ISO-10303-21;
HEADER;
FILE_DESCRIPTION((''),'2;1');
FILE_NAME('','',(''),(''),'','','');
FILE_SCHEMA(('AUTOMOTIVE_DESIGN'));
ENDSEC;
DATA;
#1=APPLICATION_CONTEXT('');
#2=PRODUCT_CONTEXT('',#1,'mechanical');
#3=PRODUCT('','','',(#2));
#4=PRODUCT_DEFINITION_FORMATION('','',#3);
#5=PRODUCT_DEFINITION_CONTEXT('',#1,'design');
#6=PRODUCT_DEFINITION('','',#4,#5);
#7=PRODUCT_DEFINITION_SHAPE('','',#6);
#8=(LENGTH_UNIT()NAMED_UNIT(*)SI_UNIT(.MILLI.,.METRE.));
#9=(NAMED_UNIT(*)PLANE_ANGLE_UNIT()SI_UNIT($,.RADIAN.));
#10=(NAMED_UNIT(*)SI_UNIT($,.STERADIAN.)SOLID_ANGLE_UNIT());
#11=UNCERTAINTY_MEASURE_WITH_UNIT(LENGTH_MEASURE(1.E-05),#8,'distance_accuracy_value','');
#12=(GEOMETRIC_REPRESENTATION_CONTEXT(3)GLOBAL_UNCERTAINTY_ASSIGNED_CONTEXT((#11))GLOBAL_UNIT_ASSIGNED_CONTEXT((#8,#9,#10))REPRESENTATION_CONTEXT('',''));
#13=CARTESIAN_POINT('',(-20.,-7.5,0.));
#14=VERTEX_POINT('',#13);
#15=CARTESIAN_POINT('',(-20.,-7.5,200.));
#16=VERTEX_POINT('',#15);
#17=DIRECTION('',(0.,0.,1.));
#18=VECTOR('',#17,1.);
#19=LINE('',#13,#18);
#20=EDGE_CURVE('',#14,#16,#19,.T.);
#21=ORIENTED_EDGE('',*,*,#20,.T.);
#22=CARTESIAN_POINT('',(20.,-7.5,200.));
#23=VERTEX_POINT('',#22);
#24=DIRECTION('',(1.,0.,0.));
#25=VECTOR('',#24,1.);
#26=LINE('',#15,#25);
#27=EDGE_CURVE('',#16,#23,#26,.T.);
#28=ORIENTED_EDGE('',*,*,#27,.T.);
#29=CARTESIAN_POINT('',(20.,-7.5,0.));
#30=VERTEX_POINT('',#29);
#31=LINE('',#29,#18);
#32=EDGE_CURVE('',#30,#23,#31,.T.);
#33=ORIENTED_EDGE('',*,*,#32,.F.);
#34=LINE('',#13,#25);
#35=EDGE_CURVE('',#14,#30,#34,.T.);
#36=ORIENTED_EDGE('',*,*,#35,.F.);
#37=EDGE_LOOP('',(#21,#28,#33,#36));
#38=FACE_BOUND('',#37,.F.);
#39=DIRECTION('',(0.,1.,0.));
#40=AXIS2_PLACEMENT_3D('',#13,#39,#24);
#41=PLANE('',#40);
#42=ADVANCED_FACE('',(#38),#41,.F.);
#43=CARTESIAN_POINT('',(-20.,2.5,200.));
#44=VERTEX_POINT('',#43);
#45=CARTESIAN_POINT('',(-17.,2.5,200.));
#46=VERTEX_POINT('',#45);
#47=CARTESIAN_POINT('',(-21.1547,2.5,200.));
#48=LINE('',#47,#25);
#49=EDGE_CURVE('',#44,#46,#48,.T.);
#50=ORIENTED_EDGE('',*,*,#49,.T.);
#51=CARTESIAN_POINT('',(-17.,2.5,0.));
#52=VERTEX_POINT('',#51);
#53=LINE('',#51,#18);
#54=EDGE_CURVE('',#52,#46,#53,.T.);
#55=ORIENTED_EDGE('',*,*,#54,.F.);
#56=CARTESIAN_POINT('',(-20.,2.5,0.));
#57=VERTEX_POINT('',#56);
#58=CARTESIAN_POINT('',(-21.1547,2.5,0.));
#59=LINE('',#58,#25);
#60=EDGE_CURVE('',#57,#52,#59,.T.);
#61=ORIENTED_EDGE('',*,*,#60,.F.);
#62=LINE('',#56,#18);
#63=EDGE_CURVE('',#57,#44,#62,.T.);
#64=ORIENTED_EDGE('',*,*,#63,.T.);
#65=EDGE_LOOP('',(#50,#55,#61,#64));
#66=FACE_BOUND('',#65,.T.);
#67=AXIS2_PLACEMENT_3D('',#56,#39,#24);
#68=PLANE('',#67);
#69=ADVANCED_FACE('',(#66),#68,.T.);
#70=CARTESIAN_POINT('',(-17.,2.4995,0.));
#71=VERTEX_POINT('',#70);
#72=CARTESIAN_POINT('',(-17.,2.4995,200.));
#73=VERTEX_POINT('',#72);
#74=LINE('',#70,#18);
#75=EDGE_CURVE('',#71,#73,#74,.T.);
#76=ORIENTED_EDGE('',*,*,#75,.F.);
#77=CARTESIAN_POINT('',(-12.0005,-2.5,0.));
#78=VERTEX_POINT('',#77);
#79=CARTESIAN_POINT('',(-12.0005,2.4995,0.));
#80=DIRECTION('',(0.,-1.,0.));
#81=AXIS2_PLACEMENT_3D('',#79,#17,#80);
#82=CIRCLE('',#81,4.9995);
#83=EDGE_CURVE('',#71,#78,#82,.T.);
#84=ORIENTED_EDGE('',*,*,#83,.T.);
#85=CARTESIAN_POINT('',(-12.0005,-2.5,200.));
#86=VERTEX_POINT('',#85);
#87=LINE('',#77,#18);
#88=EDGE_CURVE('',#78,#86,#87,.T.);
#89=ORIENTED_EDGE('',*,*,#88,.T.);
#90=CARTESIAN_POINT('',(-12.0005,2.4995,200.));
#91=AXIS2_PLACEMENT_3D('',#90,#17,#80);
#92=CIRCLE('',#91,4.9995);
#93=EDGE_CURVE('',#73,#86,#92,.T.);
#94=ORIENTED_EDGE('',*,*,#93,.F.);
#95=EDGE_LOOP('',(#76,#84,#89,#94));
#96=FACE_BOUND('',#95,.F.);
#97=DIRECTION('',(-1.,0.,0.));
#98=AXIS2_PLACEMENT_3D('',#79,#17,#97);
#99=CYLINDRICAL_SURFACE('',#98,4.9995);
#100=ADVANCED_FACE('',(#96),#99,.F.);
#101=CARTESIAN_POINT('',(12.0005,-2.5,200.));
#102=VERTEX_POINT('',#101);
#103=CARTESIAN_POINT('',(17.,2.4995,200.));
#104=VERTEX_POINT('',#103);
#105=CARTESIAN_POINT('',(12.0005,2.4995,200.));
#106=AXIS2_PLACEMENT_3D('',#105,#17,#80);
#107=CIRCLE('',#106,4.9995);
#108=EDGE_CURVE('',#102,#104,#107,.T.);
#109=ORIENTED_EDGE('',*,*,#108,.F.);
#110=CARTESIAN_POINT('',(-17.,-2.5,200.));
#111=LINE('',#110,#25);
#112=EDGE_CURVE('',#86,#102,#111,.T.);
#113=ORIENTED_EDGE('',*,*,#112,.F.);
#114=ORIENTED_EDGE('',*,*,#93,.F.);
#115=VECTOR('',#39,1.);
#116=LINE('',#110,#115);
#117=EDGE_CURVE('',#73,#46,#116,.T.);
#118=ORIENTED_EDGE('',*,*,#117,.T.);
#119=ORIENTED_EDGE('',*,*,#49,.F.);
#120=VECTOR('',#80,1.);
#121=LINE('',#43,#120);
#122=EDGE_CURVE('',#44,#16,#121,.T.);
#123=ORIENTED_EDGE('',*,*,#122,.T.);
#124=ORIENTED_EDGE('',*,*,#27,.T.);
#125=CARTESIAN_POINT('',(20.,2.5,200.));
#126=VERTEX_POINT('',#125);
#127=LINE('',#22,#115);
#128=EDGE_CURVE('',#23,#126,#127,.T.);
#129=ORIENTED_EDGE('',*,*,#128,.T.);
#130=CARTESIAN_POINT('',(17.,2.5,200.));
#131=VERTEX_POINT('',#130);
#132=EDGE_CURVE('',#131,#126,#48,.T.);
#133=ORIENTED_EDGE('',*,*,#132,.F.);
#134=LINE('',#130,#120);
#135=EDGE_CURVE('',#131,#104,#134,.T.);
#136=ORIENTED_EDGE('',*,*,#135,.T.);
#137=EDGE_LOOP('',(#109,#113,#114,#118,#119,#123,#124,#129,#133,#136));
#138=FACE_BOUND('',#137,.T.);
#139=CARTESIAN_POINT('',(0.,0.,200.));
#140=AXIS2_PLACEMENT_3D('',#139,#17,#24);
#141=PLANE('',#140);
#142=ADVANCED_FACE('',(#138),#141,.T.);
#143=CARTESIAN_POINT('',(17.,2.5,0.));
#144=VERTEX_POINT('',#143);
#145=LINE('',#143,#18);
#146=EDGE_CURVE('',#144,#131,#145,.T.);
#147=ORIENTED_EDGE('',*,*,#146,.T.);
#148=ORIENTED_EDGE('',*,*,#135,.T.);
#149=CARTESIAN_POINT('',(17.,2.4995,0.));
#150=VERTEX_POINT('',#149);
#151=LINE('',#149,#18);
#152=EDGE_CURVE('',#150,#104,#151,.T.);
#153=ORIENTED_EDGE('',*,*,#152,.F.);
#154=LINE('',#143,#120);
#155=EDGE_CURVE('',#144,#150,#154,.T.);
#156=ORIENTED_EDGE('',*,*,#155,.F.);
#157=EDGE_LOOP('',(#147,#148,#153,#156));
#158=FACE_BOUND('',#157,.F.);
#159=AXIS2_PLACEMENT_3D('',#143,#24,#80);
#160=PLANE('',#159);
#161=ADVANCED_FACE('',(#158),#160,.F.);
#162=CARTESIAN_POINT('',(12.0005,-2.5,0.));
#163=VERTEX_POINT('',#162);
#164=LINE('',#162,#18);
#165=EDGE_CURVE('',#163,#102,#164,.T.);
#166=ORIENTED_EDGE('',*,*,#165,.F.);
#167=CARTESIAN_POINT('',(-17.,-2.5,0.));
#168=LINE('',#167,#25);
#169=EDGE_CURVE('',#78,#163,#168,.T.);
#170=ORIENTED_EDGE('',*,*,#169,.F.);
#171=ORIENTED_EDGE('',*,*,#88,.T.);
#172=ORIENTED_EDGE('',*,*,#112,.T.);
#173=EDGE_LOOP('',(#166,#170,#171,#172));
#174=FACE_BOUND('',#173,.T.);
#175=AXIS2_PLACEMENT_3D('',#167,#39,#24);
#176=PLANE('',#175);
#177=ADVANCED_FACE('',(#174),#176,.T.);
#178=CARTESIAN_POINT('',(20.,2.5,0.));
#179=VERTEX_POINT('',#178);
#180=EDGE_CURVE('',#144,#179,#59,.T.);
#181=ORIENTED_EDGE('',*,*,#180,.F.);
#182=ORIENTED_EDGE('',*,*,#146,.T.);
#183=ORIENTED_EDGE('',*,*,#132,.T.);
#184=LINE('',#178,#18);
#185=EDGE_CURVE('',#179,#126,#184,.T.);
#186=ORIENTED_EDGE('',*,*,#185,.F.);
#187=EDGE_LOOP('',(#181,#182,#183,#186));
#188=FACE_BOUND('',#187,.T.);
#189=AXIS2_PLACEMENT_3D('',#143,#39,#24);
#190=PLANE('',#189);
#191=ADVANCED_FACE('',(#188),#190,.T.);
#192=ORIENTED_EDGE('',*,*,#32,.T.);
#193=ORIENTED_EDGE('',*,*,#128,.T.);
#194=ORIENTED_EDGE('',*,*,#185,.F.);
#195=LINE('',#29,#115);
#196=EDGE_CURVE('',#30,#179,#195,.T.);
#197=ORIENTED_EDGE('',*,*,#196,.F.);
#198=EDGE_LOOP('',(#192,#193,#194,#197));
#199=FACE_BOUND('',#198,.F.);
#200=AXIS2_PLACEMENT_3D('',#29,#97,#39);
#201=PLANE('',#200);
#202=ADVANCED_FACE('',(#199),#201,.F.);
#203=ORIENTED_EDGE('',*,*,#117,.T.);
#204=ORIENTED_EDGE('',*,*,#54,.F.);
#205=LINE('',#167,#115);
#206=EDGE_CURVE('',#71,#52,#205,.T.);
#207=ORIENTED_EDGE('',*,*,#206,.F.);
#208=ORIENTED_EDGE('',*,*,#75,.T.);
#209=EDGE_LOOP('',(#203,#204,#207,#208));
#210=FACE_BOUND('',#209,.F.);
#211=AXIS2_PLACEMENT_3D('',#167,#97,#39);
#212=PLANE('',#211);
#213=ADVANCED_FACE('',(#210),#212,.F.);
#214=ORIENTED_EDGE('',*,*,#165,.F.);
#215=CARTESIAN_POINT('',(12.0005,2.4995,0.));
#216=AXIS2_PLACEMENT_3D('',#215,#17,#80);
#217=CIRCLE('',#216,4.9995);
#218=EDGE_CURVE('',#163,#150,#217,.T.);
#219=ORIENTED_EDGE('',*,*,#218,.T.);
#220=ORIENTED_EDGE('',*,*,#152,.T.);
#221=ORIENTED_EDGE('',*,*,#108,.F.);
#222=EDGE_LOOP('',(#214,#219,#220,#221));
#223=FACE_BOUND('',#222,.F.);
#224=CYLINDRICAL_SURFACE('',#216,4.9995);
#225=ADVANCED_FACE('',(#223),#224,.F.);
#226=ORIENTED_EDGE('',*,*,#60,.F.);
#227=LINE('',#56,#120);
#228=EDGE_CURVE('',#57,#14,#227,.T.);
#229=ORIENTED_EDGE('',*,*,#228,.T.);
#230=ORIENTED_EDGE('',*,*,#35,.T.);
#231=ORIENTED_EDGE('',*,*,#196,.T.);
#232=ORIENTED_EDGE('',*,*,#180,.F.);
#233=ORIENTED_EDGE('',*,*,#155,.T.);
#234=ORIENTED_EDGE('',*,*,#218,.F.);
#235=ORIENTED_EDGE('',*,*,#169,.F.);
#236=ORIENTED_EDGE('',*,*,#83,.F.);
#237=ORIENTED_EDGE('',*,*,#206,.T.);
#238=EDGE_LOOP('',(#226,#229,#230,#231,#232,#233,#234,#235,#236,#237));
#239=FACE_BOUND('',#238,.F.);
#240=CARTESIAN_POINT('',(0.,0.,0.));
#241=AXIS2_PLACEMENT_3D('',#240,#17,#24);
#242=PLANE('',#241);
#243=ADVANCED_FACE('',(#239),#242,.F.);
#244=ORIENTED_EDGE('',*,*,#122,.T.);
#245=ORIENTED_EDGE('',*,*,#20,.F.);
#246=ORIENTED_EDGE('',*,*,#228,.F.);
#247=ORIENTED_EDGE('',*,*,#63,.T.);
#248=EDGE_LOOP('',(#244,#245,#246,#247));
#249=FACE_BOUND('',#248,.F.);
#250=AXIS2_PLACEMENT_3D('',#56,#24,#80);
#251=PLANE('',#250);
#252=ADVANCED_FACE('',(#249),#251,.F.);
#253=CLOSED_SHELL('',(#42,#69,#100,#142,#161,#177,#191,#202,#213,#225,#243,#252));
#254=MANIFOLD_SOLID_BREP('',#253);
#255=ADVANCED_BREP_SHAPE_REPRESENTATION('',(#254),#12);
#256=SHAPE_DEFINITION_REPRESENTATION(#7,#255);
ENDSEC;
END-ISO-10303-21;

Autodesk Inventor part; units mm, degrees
ref_plane "YZ Plane" through (0, 0, 0) normal (1, 0, 0) x (0, 1, 0)
ref_plane "XZ Plane" through (0, 0, 0) normal (0, 1, 0) x (-1, 0, 0)
ref_plane "XY Plane" through (0, 0, 0) normal (0, 0, 1) x (1, 0, 0)
sketch "Sketch1" plane through (0, 0, 0) normal (0, 0, 1) x (1, 0, 0)
  line L0 (-20, -7.5) -> (20, -7.5)
  line L1 (20, -7.5) -> (20, 2.5)
  line L2 (-20, 2.5) -> (-20, -7.5)
  line L3 (-17, -2.5) -> (-17, 2.5)
  line L4 (17, 2.5) -> (17, -2.5)
  line L5 (-21.1547, 2.5) -> (25.819, 2.5)
  line L6 (-17, -2.5) -> (17, -2.5)
  point P0 (0, 0)
  point P1 (0, -7.5)
  dimension "d2" = 3
  dimension "d7" = 40
  dimension "d8" = 3
  dimension "d9" = 10
  dimension "d10" = 5
  dimension "d17" = 34
  dimension "d18" = 5
extrude "Extrusion3" add sketch "Sketch1" along normal blind 200 contours L2 L5 L3 L6 L4 L1 L0
fillet "Fillet3" radius 5 1 edges at (-17, -2.5, 100)
fillet "Fillet4" radius 5 1 edges at (17, -2.5, 100)
